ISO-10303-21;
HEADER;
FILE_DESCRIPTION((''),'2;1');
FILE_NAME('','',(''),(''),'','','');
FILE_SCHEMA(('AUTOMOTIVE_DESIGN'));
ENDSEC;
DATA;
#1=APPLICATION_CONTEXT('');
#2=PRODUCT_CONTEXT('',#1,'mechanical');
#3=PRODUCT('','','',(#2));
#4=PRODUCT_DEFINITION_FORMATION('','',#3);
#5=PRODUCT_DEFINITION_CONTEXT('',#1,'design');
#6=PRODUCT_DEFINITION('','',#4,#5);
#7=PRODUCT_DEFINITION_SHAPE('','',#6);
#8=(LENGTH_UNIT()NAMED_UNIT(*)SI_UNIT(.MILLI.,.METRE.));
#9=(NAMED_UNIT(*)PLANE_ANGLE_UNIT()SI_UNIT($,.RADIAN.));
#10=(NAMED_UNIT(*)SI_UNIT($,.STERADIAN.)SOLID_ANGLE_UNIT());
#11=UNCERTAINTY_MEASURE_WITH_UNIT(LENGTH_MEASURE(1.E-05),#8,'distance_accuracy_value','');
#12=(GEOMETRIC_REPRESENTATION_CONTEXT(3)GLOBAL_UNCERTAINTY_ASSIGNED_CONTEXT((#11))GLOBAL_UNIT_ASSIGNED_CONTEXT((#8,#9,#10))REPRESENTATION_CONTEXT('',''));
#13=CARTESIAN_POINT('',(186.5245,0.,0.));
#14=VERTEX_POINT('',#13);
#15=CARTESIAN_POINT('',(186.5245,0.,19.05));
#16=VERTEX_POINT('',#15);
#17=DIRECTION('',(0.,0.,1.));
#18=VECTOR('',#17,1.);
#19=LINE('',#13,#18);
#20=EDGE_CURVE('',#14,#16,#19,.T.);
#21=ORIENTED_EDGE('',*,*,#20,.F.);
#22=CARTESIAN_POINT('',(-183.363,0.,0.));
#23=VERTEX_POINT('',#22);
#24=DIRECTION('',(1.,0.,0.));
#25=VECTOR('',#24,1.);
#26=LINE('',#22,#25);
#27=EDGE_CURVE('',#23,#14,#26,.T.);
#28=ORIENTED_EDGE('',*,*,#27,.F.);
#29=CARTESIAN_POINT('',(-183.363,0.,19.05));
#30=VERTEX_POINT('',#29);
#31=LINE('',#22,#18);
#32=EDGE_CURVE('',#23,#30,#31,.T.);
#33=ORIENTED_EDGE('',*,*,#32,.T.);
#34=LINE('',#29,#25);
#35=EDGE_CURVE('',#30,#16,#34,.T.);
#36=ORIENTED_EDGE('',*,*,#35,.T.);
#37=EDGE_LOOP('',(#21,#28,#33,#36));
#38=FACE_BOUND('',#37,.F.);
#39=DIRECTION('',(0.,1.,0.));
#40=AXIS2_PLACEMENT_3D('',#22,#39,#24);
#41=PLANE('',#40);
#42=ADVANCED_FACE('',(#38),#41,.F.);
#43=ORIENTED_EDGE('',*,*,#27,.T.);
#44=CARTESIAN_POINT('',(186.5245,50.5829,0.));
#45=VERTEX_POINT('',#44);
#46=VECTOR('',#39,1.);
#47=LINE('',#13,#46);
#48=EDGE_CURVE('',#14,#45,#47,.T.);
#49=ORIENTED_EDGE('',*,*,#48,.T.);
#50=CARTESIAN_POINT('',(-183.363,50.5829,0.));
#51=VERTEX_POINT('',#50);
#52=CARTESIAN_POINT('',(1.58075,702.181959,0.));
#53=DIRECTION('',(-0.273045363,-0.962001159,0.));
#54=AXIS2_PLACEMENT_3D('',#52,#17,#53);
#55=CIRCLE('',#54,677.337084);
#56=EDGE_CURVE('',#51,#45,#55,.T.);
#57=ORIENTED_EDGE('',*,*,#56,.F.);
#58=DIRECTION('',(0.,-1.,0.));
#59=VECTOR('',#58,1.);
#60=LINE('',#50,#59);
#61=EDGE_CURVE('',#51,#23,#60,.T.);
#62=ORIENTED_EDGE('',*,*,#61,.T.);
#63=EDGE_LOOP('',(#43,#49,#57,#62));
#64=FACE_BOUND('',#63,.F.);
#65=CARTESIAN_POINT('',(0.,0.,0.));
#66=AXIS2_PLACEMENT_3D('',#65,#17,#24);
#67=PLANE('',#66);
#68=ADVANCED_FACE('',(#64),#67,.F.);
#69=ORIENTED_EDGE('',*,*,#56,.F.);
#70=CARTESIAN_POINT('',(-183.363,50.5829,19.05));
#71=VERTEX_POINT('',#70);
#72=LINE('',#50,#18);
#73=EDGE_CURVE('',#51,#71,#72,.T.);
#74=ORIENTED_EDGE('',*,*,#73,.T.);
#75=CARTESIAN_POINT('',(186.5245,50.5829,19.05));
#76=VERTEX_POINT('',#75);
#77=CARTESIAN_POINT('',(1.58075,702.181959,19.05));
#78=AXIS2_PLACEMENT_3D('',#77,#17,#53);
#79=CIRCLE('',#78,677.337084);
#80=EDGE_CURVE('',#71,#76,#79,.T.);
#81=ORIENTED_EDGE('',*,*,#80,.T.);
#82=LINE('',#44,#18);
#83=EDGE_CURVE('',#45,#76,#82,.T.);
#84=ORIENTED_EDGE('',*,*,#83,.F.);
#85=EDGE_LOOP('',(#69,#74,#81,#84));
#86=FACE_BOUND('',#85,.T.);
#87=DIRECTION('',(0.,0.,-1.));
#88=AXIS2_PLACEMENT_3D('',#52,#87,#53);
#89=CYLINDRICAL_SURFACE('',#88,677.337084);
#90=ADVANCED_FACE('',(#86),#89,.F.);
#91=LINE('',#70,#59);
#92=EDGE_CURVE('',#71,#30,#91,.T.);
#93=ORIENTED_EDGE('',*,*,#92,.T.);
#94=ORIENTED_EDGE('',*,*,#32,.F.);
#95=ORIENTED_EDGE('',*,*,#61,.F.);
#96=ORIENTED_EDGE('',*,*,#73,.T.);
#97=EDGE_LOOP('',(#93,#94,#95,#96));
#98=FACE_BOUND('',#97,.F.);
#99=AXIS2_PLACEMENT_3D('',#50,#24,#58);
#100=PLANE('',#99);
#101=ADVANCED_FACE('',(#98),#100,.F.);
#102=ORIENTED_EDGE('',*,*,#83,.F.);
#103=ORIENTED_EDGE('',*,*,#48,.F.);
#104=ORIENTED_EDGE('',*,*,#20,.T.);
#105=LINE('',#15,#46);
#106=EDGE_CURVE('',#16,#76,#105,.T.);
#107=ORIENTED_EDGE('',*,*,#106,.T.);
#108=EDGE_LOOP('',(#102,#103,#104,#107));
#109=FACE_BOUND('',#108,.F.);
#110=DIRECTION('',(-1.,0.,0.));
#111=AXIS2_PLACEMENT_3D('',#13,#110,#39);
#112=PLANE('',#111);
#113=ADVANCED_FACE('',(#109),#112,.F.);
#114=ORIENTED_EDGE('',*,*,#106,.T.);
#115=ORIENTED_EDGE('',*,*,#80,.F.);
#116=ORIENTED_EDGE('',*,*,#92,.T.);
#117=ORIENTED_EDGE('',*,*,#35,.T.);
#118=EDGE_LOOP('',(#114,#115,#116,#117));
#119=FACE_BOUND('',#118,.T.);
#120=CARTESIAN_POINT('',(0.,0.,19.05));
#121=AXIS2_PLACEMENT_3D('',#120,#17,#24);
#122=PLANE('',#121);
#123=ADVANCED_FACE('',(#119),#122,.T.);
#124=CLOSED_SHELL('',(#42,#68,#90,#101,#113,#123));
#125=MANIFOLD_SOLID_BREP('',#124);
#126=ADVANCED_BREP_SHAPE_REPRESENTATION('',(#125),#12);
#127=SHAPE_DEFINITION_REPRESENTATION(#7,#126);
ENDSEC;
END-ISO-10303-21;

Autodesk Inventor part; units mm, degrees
ref_plane "YZ Plane" through (0, 0, 0) normal (1, 0, 0) x (0, 1, 0)
ref_plane "XZ Plane" through (0, 0, 0) normal (0, 1, 0) x (-1, 0, 0)
ref_plane "XY Plane" through (0, 0, 0) normal (0, 0, 1) x (1, 0, 0)
sketch "Sketch1" plane through (0, 0, 0) normal (0, 0, 1) x (1, 0, 0)
  line L0 (-183.363, 0) -> (186.5245, 0)
  line L1 (186.5245, 0) -> (186.5245, 50.5829)
  line L2 (-183.363, 50.5829) -> (-183.363, 0)
  arc A0 (-183.363, 50.5829) -> (186.5245, 50.5829) centre (1.5807, 702.1816) ccw
  line L3 (-183.363, 50.5829) -> (-183.363, 0)
  line L4 (186.5245, 0) -> (186.5245, 50.5829)
  point P0 (0, 0)
  dimension "d0" = 369.8875
  dimension "d12" = 50.5829
extrude "Extrusion1" add sketch "Sketch1" along normal blind 19.05
properties part number "Door retention wall" material "Wood (Oak)"
